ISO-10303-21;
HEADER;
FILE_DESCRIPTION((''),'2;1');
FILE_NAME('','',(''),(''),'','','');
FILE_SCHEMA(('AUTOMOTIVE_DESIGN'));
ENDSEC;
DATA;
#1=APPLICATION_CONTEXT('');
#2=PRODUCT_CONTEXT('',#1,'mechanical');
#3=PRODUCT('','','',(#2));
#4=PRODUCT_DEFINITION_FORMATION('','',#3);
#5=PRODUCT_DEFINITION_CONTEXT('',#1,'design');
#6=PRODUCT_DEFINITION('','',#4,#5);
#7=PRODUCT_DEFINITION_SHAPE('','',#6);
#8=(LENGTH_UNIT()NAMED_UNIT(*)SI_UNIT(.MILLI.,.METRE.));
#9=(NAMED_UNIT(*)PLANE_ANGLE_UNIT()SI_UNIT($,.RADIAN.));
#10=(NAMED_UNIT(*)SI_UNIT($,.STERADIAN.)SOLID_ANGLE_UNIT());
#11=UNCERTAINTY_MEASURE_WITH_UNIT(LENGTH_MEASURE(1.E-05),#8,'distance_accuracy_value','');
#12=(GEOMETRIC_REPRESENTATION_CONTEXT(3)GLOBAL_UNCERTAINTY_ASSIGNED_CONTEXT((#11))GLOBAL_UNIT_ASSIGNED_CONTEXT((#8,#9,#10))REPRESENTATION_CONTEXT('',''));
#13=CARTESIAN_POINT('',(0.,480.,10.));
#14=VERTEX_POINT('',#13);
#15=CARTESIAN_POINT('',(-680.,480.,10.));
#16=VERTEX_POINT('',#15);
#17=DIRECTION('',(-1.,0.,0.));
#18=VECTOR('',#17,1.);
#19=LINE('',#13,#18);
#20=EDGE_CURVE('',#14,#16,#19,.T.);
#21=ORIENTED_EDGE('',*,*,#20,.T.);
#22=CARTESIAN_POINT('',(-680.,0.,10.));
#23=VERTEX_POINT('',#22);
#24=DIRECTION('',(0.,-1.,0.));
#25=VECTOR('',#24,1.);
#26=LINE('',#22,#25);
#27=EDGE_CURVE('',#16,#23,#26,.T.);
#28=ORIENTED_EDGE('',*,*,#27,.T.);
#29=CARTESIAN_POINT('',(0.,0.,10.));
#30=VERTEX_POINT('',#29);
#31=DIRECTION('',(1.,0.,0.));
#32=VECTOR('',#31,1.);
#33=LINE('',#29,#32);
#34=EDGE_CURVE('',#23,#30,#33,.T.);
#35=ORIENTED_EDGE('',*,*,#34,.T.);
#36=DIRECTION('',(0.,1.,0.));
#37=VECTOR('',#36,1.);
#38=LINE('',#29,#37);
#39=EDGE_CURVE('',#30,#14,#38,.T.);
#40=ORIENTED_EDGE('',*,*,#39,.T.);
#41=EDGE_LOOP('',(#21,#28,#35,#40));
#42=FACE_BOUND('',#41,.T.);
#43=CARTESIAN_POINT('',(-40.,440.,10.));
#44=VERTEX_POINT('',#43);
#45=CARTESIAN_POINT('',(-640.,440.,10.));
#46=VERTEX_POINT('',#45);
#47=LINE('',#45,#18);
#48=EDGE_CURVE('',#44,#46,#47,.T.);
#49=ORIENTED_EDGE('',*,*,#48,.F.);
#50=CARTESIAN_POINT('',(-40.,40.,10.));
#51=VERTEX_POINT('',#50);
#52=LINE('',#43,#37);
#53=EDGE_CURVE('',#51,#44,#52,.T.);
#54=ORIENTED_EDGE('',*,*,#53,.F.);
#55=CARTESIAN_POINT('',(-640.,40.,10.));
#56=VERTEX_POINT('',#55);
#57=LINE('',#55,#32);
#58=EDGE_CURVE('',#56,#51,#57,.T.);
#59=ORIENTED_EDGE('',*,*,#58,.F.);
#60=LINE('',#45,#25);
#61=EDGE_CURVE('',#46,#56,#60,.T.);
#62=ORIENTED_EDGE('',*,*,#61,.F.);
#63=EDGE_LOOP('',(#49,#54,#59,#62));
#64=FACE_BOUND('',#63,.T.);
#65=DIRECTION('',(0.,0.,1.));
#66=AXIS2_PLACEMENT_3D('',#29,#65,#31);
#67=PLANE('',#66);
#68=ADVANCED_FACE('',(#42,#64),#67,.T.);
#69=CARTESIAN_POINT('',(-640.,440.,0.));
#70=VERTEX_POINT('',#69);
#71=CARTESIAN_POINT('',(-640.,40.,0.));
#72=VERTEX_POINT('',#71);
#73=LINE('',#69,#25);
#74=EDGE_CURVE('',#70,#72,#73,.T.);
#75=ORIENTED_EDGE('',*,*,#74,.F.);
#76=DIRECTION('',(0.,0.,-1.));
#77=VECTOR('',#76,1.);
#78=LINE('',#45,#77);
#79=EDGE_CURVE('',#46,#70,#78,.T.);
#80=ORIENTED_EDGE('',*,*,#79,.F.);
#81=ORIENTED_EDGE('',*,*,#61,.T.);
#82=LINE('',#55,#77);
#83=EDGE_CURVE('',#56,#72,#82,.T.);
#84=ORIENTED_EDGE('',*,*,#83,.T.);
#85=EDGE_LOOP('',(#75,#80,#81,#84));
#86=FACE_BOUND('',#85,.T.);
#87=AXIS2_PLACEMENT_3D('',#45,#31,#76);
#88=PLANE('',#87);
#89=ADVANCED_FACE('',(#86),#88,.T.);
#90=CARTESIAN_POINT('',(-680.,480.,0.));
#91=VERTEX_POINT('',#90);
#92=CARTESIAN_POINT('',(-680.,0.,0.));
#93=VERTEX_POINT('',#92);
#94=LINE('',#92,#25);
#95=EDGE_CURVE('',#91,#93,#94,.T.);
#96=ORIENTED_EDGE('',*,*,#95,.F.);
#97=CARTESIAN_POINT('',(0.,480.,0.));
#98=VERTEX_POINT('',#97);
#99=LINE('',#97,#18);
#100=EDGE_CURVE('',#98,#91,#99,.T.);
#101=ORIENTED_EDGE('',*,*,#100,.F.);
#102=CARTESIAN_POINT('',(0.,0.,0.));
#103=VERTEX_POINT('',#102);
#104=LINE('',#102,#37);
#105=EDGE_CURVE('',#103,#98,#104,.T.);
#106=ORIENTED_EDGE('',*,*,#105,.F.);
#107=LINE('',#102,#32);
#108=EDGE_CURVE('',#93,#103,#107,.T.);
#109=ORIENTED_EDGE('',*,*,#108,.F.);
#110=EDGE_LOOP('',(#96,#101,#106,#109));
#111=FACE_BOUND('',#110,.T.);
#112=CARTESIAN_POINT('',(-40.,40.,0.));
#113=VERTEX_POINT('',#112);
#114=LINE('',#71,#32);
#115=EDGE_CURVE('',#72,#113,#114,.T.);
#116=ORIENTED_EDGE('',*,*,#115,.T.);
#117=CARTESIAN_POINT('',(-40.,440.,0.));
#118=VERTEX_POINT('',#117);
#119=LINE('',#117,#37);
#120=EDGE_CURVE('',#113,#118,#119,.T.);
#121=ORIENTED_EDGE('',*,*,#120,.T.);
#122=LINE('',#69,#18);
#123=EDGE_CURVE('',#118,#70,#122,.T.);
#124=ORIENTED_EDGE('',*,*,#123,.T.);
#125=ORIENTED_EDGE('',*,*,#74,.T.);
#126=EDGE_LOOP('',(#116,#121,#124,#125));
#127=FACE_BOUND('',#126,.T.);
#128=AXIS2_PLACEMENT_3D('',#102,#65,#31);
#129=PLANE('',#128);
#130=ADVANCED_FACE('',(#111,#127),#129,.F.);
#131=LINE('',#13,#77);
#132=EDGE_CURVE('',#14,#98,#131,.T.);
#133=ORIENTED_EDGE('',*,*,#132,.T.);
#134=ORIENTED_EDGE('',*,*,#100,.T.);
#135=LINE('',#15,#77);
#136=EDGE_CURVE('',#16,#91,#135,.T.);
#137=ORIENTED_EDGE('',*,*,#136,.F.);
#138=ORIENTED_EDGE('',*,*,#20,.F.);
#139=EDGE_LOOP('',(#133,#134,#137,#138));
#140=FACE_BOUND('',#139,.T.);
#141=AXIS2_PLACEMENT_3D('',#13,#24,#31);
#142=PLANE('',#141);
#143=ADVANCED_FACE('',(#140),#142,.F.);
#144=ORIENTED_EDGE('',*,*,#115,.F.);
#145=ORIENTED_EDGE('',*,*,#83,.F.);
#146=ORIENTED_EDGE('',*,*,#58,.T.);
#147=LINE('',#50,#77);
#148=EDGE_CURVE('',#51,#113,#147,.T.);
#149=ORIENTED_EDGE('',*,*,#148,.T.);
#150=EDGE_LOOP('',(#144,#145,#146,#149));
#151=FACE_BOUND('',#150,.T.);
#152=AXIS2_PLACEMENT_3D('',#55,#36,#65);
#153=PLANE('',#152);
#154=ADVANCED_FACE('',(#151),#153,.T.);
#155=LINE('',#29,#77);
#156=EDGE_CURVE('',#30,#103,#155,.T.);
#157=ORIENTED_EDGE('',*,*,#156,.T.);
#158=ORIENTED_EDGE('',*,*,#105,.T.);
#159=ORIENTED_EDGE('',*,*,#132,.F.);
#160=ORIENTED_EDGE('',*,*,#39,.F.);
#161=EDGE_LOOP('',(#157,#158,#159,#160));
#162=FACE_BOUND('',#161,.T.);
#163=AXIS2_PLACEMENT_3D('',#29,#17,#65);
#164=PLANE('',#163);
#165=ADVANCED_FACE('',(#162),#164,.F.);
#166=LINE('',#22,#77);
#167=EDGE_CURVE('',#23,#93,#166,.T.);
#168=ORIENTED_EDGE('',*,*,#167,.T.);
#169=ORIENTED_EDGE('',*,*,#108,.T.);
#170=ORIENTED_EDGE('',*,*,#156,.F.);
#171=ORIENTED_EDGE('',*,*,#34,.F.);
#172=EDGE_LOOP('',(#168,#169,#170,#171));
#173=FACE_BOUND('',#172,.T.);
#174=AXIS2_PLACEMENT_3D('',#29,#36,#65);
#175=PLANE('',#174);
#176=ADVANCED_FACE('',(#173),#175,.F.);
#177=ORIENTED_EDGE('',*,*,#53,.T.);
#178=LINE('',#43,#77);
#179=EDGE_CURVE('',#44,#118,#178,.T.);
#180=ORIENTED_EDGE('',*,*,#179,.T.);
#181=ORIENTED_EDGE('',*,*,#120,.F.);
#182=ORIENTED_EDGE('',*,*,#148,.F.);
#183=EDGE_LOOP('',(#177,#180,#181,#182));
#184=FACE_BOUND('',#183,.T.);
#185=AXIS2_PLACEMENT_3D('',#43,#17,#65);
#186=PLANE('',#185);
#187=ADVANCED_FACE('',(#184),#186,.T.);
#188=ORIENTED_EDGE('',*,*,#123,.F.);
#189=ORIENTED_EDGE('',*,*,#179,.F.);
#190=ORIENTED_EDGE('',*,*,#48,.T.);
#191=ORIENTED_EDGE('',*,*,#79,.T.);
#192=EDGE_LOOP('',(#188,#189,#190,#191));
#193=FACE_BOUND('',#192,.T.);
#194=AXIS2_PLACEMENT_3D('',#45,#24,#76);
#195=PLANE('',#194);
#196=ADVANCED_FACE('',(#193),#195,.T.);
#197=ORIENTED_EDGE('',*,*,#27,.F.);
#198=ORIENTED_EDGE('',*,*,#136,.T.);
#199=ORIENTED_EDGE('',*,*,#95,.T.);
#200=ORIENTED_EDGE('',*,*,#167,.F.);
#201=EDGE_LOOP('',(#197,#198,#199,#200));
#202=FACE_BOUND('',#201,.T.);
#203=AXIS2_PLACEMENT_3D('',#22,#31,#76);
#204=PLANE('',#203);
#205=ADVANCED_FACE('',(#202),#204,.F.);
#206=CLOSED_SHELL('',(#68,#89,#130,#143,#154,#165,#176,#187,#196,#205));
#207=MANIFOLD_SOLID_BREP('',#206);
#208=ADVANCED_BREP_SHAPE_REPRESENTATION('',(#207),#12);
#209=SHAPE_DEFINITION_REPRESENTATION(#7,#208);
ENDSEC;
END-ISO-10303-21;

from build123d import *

# Parameters (mm, degrees)
ESQUISSE1_W        = 680
ESQUISSE1_H        = 480
ESQUISSE1_W_2      = 600
ESQUISSE1_H_2      = 400
BOSS_EXTRU_1_DEPTH = 10


with BuildPart() as part:
    # Esquisse1 → Boss.-Extru.1 (new body)
    with BuildSketch(Plane.XY):
        with Locations((-340, 240)):
            Rectangle(ESQUISSE1_W, ESQUISSE1_H)
        with Locations((-340, 240)):
            Rectangle(ESQUISSE1_W_2, ESQUISSE1_H_2, mode=Mode.SUBTRACT)
    extrude(amount=BOSS_EXTRU_1_DEPTH)


solid = part.part
